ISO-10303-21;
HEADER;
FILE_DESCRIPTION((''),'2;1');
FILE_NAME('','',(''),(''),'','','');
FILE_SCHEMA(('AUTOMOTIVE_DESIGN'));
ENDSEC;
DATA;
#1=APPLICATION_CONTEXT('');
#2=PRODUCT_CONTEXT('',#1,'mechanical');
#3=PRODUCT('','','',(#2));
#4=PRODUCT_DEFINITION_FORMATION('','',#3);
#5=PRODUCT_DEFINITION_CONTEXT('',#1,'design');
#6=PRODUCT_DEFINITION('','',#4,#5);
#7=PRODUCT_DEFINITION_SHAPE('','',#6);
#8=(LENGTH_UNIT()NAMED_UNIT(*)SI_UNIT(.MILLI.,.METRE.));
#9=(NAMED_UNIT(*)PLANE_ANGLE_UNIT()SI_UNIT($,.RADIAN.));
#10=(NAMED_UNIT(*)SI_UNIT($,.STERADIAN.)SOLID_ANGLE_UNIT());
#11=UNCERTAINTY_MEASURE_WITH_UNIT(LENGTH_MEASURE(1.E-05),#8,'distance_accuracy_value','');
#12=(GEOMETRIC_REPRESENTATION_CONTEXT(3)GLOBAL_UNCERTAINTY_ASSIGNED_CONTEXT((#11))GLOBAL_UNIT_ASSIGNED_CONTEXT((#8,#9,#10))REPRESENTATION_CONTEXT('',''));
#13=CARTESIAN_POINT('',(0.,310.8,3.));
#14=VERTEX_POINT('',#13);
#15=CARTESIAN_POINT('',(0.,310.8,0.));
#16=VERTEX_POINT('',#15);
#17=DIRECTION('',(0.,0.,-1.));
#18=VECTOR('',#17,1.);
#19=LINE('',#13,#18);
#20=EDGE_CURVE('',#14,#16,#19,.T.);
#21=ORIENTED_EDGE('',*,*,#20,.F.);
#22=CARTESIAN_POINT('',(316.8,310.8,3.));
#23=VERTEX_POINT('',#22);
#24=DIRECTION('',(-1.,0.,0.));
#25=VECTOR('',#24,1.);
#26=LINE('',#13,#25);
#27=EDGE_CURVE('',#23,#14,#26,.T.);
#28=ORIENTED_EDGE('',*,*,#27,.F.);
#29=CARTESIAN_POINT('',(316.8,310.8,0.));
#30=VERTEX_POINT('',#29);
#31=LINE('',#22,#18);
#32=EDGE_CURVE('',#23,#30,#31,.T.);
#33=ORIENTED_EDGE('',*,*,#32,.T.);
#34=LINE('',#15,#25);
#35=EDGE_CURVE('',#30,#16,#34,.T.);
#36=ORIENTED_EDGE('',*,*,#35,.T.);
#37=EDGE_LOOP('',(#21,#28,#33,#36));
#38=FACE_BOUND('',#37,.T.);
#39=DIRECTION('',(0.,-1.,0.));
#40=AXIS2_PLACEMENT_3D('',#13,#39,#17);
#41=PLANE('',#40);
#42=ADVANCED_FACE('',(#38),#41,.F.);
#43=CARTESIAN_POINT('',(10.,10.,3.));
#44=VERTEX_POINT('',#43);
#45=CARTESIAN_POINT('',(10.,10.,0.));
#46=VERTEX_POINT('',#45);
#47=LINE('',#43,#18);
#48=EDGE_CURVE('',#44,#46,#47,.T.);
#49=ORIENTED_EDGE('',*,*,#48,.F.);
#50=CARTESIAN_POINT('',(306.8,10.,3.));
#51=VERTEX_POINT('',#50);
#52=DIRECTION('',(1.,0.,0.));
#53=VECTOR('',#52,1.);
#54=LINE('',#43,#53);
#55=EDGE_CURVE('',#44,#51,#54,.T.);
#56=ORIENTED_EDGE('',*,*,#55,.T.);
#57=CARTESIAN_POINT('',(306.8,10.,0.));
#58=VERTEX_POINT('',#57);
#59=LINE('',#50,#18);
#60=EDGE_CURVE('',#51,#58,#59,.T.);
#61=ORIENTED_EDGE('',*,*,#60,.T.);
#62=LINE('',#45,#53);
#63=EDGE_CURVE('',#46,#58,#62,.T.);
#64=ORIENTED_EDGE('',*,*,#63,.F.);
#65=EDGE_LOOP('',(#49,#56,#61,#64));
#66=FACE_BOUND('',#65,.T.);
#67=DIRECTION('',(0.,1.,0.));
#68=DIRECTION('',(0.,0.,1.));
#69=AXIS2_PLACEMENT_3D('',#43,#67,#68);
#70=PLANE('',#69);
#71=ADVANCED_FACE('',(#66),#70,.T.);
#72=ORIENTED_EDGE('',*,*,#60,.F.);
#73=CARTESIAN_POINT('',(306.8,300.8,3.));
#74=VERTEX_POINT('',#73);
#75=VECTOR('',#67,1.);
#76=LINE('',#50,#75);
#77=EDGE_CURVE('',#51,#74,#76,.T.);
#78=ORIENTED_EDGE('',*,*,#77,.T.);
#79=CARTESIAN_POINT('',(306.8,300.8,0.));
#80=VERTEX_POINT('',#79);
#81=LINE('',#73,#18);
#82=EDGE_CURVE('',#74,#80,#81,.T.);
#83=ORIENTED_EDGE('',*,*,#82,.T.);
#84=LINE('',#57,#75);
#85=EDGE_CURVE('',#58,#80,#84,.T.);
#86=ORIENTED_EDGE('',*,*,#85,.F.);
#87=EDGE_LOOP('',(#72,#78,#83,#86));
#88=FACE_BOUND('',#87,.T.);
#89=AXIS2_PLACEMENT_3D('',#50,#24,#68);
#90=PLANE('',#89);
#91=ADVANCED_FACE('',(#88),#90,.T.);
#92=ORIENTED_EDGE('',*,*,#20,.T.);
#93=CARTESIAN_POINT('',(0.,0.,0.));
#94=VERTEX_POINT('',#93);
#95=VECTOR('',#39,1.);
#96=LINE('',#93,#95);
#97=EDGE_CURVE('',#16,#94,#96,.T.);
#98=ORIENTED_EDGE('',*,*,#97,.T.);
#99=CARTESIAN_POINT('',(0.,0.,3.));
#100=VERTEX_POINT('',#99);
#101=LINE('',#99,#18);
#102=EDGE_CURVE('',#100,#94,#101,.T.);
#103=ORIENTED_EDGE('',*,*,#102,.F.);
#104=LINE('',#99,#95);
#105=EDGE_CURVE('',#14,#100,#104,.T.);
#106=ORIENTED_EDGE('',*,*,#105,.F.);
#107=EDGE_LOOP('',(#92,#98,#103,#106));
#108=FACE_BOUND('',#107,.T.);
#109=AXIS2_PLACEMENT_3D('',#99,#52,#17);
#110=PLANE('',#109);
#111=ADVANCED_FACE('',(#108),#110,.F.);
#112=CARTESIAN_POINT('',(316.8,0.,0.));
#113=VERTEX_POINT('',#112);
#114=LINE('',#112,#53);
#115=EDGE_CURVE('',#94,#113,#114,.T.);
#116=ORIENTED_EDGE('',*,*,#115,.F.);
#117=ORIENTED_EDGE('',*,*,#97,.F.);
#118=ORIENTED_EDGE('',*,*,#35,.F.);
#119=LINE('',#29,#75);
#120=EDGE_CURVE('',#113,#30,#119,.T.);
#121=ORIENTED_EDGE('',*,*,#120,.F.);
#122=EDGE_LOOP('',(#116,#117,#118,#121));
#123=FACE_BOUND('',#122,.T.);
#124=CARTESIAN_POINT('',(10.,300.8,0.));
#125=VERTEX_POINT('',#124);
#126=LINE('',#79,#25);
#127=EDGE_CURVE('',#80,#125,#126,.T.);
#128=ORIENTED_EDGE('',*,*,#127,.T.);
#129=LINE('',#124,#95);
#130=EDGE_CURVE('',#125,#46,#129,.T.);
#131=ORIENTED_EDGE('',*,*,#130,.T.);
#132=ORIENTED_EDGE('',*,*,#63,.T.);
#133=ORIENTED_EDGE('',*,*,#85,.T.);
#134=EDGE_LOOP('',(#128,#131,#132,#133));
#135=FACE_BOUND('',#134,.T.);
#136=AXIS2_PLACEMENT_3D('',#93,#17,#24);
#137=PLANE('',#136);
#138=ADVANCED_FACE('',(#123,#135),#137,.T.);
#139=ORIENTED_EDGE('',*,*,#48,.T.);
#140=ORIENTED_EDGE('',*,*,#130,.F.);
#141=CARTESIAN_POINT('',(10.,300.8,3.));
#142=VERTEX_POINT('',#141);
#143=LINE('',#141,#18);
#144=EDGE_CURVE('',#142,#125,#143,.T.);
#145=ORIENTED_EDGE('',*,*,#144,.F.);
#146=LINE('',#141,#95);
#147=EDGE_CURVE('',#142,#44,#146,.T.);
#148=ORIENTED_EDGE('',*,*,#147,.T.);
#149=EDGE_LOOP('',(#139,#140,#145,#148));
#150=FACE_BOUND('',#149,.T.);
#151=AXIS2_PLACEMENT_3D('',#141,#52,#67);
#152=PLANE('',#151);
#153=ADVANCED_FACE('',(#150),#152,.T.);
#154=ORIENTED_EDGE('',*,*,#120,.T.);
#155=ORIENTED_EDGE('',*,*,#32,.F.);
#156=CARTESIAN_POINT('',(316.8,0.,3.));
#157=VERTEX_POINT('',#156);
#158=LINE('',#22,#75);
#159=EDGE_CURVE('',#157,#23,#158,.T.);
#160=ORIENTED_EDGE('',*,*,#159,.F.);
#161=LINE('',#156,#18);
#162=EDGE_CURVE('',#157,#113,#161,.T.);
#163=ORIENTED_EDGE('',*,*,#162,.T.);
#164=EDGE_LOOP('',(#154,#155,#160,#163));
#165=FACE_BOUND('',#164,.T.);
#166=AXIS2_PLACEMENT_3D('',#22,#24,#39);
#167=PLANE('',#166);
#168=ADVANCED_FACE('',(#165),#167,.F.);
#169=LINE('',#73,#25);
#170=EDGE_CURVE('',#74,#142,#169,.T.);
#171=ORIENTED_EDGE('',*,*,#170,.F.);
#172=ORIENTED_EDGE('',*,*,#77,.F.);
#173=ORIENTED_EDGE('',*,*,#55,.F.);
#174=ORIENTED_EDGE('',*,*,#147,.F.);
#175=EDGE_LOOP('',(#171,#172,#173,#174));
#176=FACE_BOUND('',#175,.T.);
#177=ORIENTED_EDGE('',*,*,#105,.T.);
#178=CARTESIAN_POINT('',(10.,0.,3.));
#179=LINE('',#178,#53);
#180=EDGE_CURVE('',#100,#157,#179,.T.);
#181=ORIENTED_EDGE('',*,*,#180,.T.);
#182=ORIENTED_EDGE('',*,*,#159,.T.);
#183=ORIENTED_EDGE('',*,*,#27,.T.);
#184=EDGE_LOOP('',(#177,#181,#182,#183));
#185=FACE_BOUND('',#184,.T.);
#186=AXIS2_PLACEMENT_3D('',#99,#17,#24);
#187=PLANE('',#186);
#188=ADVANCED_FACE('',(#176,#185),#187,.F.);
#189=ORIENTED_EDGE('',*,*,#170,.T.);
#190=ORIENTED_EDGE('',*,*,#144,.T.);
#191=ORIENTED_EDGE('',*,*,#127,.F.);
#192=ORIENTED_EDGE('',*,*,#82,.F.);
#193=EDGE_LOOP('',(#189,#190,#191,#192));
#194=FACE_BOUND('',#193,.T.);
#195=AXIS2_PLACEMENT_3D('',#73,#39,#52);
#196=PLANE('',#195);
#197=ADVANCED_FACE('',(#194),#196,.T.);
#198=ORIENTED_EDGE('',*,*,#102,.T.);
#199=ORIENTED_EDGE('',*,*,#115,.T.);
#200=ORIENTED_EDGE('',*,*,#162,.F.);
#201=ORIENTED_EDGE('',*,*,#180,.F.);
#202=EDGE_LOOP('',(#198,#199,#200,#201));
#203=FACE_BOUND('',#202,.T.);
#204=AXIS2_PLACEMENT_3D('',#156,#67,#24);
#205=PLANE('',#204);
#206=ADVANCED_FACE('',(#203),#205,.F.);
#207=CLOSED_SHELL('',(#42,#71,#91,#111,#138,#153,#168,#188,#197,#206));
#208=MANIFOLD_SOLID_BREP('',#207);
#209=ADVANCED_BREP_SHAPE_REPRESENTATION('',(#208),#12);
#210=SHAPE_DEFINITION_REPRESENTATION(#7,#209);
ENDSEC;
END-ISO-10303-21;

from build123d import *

# Parameters (mm, degrees)
SKETCH1_W           = 296.8
SKETCH1_H           = 290.8
BOSS_EXTRUDE1_DEPTH = 3


with BuildPart() as part:
    # Sketch1 → Boss-Extrude1 (new body)
    with BuildSketch(Plane.XY):
        Polygon((0, 0), (0, 310.8), (316.8, 310.8), (316.8, 0), (314.33758003, 0), (10, 0), align=None)
        with Locations((158.4, 155.4)):
            Rectangle(SKETCH1_W, SKETCH1_H, mode=Mode.SUBTRACT)
    extrude(amount=BOSS_EXTRUDE1_DEPTH)


solid = part.part
